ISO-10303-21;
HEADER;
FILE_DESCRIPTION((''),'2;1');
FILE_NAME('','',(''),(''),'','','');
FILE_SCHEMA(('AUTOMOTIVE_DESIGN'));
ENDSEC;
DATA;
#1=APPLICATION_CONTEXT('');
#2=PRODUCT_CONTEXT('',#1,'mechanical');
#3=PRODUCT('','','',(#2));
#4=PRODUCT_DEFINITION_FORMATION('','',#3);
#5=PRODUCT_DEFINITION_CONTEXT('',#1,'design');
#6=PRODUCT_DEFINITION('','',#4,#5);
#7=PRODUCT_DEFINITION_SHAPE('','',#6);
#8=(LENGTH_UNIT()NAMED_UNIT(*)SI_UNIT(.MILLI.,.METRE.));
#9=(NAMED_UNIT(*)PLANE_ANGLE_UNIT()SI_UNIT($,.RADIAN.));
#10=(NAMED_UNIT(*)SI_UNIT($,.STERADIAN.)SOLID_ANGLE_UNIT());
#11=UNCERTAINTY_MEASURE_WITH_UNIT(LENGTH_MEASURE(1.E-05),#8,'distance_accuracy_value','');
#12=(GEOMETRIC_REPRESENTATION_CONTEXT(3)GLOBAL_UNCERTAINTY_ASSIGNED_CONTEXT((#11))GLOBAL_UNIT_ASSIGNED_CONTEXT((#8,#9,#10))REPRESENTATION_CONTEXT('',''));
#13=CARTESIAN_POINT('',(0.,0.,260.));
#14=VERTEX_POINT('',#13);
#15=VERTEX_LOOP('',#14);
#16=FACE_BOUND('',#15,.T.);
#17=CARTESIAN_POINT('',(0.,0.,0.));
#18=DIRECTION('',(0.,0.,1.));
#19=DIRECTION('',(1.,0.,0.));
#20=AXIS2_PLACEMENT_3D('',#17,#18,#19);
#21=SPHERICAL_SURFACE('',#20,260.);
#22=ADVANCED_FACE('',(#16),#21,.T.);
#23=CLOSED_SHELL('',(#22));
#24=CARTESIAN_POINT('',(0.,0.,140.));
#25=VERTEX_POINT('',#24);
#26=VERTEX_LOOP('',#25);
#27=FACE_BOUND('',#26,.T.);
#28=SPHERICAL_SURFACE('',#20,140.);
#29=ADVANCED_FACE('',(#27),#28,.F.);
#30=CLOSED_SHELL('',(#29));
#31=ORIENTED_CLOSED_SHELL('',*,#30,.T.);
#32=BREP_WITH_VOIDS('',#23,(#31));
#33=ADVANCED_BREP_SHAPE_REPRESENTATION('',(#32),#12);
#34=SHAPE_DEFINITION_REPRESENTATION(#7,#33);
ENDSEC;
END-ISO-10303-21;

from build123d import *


with BuildPart() as part:
    # Sketch1 → Revolve1 (revolve)
    with BuildSketch(Plane(origin=(0, 0, 0), x_dir=(1, 0, 0), z_dir=(0, 1, 0))):
        with BuildLine():
            Line((0, -140), (0, -260))
            ThreePointArc((0, -260), (260, 0), (0, 260))
            Line((0, 260), (0, 140))
            ThreePointArc((0, 140), (140, 0), (0, -140))
        make_face()
    revolve(axis=Axis((0, 0, 260), (0, 0, -1)))


solid = part.part
